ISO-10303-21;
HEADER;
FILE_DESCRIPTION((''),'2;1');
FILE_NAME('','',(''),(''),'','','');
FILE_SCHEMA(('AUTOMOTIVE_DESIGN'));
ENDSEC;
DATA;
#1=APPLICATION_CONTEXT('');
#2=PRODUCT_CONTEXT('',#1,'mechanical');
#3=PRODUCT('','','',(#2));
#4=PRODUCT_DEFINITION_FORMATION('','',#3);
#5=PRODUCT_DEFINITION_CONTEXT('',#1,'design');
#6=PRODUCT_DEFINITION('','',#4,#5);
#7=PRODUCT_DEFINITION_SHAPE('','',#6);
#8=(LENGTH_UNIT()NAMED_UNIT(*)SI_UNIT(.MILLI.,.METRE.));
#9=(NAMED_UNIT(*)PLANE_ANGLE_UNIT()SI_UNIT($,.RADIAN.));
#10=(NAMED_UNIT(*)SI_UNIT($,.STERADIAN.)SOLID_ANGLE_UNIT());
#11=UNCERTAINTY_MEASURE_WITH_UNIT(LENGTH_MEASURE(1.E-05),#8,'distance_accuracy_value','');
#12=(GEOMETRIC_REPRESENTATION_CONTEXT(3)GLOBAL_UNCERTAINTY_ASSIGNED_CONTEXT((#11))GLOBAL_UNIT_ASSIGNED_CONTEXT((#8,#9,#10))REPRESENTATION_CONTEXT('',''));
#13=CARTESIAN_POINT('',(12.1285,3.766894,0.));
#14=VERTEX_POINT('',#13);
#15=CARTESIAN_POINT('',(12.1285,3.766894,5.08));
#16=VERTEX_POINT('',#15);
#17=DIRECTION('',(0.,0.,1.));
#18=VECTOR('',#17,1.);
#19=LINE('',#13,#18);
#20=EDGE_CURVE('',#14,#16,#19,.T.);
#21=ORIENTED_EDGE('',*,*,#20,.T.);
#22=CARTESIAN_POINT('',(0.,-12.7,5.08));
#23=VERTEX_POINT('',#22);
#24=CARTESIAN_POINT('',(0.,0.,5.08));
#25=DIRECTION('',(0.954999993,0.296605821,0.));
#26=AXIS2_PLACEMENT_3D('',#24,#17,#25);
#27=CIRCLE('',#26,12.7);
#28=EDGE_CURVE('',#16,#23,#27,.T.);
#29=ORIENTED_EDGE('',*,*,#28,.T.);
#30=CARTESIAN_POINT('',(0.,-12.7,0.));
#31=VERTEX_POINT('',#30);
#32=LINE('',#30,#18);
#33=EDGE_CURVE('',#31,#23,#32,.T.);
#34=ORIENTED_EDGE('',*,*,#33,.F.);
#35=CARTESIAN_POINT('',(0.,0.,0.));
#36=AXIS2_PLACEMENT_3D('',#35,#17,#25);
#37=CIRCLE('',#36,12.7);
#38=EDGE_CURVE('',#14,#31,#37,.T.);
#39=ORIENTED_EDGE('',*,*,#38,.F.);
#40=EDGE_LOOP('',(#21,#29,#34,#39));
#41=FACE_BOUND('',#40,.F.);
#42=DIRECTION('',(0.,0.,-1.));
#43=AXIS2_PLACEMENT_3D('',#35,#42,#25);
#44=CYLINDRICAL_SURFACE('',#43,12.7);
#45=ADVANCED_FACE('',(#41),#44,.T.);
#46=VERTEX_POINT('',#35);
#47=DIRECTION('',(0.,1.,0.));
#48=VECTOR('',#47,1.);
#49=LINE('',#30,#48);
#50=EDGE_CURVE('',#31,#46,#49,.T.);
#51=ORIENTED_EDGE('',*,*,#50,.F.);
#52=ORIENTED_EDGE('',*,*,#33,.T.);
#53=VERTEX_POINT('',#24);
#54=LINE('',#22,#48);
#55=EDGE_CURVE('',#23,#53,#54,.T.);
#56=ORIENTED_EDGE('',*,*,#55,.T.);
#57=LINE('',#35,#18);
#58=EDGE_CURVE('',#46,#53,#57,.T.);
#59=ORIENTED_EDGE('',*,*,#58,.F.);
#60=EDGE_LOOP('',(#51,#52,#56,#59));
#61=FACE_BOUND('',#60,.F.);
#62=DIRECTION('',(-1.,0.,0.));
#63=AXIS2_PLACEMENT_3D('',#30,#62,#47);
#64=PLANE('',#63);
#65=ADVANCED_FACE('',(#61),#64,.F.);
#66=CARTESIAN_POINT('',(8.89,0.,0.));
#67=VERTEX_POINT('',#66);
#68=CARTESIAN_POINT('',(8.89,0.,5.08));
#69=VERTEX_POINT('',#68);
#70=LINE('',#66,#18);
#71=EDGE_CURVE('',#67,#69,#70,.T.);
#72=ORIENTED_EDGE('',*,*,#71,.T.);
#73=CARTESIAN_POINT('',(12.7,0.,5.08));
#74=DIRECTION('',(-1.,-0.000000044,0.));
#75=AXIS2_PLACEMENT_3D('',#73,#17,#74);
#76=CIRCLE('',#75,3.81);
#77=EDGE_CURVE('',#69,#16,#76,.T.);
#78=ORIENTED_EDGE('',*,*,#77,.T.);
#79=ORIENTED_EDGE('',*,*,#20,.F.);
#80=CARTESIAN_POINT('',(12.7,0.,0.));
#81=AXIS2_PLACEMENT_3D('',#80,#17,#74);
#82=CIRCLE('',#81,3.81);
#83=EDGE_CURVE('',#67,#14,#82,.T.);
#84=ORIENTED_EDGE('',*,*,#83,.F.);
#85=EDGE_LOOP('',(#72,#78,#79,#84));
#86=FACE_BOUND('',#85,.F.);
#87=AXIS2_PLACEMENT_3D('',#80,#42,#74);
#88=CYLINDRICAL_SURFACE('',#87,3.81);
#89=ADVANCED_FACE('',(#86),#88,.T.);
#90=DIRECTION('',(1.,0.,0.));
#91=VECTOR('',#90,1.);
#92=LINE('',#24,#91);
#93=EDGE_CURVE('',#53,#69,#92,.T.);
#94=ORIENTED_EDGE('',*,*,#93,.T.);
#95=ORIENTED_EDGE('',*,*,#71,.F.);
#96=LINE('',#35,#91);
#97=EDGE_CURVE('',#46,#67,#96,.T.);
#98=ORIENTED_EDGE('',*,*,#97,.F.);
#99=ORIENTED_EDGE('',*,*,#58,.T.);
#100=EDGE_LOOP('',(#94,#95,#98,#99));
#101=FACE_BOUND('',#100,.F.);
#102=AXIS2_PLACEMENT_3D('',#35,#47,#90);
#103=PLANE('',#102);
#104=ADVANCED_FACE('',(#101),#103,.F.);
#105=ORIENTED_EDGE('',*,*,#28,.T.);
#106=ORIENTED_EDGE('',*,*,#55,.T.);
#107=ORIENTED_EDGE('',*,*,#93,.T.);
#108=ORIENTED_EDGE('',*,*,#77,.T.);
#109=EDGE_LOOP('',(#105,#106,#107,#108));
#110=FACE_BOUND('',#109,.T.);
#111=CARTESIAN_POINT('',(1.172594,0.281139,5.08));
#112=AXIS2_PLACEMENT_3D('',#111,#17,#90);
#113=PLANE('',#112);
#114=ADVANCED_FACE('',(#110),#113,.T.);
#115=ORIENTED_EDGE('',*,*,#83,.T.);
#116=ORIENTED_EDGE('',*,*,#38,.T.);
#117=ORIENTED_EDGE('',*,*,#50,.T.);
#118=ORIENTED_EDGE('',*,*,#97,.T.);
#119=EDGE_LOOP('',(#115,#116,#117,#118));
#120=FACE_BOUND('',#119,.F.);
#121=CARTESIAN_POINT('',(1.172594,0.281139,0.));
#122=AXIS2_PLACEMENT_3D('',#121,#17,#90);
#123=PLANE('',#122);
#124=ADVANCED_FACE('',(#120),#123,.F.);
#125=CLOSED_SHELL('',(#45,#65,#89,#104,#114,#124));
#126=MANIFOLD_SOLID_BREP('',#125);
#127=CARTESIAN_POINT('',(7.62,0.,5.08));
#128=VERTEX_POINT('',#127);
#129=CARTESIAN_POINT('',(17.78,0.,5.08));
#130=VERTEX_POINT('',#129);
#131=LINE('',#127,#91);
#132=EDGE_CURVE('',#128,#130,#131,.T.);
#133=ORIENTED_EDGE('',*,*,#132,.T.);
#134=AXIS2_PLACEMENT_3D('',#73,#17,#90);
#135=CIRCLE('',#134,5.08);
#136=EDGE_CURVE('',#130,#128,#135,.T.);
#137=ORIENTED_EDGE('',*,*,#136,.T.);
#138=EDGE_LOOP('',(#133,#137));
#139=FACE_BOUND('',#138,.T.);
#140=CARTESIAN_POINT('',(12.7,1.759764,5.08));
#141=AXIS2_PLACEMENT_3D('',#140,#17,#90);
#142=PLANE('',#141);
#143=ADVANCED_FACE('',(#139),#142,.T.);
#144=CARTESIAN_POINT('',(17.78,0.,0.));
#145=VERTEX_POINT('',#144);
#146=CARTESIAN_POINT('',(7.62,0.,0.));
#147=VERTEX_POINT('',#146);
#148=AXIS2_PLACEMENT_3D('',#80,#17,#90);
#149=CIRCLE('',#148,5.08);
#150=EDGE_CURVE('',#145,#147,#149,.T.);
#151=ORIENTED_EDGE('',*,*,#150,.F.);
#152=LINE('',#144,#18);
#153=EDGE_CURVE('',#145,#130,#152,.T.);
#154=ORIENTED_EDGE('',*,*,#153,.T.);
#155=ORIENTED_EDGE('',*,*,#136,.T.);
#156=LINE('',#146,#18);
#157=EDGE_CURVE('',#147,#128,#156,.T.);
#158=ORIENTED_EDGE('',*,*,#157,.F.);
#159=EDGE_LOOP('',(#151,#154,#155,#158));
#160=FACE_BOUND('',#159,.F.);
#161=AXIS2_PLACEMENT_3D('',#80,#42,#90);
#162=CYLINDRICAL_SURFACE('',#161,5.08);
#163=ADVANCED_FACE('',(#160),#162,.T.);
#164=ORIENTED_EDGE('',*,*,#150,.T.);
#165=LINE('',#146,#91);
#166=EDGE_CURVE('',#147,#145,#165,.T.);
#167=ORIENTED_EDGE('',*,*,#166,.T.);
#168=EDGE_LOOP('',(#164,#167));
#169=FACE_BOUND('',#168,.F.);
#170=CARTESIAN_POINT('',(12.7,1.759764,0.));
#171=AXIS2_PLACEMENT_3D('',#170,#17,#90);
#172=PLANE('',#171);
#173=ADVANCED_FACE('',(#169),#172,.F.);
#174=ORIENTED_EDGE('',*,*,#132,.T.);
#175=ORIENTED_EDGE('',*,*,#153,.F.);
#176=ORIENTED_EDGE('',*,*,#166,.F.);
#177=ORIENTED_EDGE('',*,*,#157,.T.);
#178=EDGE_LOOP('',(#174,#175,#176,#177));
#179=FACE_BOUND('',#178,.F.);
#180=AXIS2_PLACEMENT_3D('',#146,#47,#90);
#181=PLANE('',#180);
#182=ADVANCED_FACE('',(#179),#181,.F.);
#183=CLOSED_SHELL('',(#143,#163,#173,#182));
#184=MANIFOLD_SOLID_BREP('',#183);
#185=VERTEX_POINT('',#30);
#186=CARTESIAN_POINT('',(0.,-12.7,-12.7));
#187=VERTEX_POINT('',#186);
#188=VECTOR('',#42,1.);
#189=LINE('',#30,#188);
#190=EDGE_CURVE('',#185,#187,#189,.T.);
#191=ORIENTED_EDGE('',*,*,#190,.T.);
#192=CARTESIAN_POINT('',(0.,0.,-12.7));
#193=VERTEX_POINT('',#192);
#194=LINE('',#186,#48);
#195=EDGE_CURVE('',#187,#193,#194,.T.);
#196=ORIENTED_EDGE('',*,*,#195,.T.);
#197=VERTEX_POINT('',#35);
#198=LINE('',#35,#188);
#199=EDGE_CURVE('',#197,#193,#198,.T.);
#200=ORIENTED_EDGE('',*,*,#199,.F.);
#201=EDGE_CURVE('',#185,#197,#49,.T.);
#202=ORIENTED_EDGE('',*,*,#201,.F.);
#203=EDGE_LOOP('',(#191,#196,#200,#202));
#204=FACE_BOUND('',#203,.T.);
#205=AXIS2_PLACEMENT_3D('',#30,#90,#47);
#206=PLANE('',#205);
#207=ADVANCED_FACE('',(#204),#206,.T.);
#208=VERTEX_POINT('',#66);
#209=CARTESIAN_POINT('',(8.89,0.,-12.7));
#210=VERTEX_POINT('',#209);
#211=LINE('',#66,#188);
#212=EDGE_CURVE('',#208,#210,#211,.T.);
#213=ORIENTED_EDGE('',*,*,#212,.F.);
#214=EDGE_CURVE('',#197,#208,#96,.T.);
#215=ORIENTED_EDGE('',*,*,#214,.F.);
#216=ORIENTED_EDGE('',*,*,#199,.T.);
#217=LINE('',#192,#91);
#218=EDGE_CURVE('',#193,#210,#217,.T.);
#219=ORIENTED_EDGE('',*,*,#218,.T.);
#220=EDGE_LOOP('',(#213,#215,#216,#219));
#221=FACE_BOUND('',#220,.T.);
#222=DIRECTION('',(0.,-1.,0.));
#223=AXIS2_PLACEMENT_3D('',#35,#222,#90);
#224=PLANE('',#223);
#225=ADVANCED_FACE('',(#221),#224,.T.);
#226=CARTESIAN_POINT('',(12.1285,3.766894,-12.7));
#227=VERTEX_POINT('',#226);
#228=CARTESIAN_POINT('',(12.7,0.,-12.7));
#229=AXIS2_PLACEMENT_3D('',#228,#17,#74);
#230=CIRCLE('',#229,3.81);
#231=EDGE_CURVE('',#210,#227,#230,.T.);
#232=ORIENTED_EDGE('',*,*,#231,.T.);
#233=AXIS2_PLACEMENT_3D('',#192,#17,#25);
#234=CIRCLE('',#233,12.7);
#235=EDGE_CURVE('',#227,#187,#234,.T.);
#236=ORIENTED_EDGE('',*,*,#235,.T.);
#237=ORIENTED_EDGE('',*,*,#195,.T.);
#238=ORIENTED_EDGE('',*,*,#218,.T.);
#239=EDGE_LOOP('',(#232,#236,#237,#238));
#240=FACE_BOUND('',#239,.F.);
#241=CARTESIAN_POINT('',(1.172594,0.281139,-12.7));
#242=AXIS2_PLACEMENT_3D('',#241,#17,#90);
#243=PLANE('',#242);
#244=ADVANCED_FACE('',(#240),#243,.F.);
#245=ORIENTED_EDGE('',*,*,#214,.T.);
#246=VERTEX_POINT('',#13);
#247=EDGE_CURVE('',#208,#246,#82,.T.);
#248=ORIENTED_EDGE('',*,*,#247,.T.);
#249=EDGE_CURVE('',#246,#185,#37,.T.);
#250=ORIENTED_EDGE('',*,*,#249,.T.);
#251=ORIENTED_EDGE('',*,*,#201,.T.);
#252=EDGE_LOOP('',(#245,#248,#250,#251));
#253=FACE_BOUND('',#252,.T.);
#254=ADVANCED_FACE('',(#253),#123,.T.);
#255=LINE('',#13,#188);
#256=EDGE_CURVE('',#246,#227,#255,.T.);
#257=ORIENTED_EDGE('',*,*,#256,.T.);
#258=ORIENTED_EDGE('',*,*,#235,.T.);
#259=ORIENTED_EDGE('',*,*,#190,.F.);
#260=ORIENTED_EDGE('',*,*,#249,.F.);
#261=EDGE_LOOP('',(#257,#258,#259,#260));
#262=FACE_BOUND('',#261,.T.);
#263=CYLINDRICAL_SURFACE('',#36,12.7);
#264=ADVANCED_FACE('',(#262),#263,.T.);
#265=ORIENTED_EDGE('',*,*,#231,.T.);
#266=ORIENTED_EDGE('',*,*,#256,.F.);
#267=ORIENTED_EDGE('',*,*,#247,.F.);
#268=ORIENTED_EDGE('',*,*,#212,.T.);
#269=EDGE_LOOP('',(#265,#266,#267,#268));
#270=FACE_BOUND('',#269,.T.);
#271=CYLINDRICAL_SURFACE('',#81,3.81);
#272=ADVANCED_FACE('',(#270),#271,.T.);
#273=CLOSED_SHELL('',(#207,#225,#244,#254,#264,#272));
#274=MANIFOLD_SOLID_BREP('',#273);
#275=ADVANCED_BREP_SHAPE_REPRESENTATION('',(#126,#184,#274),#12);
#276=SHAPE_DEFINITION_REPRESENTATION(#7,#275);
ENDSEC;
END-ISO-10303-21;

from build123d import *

# Parameters (mm, degrees)
F1_DEPTH = 5.08
F2_DEPTH = 12.7
F4_DEPTH = 5.08


with BuildPart() as f1:
    # F0 (on Top) → F1 (new body)
    with BuildSketch(Plane.XY):
        with BuildLine():
            ThreePointArc((8.89, 0), (15.589076, -2.483816), (12.1285, 3.766894))
            ThreePointArc((12.1285, 3.766894), (-10.225692, 7.531615), (0, -12.7))
            Line((0, -12.7), (0, 0))
            Line((0, 0), (8.89, 0))
        make_face()
    extrude(amount=F1_DEPTH)


with BuildPart() as f2:
    # F0 (on Top) → F2 (new body)
    with BuildSketch(Plane.XY):
        with BuildLine():
            ThreePointArc((8.89, 0), (15.589076, -2.483816), (12.1285, 3.766894))
            ThreePointArc((12.1285, 3.766894), (-10.225692, 7.531615), (0, -12.7))
            Line((0, -12.7), (0, 0))
            Line((0, 0), (8.89, 0))
        make_face()
    extrude(amount=-F2_DEPTH)


with BuildPart() as f4:
    # F3 (on Top) → F4 (new body)
    with BuildSketch(Plane.XY):
        with BuildLine():
            Line((7.62, 0), (17.78, 0))
            ThreePointArc((17.78, 0), (12.7, 5.08), (7.62, 0))
        make_face()
    extrude(amount=F4_DEPTH)


solid = Compound([f1.part, f2.part, f4.part])
